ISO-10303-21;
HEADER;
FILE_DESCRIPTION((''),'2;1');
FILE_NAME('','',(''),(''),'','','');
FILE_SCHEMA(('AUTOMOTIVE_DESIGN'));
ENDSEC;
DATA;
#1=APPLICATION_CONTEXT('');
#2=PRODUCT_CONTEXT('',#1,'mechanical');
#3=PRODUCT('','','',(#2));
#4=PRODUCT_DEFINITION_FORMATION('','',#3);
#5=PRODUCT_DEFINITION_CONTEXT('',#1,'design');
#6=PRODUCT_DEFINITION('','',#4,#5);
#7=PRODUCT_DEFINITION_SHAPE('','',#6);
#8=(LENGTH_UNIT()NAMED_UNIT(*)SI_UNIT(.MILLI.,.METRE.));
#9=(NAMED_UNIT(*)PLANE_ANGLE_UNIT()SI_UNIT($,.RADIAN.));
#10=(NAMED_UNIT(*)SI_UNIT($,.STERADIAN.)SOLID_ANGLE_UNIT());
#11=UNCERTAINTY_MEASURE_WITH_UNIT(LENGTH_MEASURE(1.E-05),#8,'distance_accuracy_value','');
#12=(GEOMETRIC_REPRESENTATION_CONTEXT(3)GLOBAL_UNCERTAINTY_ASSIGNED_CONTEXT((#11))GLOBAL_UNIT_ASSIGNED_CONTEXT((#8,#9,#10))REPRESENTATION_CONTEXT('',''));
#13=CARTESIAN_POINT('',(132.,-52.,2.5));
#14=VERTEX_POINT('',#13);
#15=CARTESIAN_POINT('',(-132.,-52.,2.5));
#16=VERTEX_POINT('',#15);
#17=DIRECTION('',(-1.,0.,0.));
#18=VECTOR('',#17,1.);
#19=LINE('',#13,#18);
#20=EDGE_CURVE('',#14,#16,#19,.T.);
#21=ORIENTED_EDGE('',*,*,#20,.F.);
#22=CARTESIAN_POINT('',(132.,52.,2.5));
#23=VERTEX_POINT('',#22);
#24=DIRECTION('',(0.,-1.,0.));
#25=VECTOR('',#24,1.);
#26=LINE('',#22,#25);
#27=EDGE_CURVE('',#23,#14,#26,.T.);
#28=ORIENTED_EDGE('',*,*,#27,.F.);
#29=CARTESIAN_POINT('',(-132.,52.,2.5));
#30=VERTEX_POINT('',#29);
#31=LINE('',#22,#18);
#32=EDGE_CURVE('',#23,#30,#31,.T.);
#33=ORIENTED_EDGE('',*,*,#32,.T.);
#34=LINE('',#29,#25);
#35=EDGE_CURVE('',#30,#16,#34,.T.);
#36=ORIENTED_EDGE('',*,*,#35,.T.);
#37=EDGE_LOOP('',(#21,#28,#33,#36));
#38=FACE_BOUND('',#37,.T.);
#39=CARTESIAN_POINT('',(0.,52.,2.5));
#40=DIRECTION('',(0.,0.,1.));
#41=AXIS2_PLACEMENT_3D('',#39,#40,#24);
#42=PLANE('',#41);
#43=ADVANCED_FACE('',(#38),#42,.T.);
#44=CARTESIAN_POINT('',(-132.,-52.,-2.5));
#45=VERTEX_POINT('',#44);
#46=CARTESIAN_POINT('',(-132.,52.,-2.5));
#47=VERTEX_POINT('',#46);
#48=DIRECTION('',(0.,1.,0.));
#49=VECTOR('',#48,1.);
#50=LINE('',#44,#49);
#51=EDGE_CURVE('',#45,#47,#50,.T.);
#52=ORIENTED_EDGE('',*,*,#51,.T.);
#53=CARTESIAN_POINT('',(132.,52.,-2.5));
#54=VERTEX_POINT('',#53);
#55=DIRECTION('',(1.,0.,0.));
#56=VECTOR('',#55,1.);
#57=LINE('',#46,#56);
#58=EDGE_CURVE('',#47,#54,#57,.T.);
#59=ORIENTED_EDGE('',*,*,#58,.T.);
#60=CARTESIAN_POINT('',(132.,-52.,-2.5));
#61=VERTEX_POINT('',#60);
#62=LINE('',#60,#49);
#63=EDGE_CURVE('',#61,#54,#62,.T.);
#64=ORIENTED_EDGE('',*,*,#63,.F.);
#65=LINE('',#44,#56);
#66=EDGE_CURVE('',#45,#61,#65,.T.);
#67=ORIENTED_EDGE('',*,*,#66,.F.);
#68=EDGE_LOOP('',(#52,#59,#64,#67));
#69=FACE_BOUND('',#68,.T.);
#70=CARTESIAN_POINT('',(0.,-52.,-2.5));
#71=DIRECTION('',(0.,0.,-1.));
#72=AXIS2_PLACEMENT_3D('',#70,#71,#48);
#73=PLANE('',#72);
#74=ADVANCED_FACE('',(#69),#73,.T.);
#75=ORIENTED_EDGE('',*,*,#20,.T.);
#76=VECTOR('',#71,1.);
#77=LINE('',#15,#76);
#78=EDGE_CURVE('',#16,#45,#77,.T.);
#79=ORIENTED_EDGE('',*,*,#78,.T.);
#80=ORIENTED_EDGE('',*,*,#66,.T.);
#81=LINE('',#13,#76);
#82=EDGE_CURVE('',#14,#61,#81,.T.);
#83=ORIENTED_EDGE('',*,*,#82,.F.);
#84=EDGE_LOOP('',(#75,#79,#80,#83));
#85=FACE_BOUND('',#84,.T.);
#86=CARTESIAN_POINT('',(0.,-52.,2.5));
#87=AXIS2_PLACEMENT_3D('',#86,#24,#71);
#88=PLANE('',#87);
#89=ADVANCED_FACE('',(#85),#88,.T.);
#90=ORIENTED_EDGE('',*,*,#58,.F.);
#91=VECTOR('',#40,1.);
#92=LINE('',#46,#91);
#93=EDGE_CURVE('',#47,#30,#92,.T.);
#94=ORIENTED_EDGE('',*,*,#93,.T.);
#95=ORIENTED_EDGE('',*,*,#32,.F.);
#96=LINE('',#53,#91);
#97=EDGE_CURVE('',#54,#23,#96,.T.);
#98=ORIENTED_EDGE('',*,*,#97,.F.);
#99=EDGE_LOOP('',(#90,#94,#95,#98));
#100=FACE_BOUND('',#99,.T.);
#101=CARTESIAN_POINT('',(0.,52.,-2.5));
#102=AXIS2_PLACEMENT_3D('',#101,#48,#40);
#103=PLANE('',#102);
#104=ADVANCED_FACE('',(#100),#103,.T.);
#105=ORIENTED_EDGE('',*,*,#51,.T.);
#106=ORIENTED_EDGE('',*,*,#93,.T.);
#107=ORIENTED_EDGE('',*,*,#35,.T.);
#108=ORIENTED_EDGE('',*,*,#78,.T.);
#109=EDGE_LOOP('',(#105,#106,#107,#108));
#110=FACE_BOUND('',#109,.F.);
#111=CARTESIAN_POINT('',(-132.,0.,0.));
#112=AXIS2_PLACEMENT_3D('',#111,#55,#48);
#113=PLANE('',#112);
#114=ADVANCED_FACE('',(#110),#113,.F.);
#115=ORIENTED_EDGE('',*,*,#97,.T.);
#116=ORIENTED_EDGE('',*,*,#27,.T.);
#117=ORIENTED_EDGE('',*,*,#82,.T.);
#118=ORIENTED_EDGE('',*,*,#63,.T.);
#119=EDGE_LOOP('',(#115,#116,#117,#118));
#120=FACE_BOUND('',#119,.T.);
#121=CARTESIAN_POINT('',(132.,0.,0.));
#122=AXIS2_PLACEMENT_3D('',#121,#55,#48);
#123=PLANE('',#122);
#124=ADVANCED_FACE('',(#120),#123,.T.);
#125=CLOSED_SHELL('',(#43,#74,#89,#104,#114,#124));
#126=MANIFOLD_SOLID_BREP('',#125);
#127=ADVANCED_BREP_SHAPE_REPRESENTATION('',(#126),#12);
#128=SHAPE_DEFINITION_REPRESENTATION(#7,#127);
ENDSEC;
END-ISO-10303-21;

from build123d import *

# Parameters (mm, degrees)
F2_DEPTH = 132
F3_DEPTH = 132


with BuildPart() as f2:
    # F1 (on Right) → F2 (new body)
    with BuildSketch(Plane.YZ):
        Polygon((-52, 2.5), (-52, 0), (-52, -2.5), (52, -2.5), (52, 2.5), align=None)
    extrude(amount=F2_DEPTH)

    # F3 (add): a face of the model
    f3_faces = [f2.faces().sort_by_distance(p)[0] for p in [
        (0, 0, 0),
    ]]
    extrude(f3_faces, amount=F3_DEPTH)


solid = f2.part
